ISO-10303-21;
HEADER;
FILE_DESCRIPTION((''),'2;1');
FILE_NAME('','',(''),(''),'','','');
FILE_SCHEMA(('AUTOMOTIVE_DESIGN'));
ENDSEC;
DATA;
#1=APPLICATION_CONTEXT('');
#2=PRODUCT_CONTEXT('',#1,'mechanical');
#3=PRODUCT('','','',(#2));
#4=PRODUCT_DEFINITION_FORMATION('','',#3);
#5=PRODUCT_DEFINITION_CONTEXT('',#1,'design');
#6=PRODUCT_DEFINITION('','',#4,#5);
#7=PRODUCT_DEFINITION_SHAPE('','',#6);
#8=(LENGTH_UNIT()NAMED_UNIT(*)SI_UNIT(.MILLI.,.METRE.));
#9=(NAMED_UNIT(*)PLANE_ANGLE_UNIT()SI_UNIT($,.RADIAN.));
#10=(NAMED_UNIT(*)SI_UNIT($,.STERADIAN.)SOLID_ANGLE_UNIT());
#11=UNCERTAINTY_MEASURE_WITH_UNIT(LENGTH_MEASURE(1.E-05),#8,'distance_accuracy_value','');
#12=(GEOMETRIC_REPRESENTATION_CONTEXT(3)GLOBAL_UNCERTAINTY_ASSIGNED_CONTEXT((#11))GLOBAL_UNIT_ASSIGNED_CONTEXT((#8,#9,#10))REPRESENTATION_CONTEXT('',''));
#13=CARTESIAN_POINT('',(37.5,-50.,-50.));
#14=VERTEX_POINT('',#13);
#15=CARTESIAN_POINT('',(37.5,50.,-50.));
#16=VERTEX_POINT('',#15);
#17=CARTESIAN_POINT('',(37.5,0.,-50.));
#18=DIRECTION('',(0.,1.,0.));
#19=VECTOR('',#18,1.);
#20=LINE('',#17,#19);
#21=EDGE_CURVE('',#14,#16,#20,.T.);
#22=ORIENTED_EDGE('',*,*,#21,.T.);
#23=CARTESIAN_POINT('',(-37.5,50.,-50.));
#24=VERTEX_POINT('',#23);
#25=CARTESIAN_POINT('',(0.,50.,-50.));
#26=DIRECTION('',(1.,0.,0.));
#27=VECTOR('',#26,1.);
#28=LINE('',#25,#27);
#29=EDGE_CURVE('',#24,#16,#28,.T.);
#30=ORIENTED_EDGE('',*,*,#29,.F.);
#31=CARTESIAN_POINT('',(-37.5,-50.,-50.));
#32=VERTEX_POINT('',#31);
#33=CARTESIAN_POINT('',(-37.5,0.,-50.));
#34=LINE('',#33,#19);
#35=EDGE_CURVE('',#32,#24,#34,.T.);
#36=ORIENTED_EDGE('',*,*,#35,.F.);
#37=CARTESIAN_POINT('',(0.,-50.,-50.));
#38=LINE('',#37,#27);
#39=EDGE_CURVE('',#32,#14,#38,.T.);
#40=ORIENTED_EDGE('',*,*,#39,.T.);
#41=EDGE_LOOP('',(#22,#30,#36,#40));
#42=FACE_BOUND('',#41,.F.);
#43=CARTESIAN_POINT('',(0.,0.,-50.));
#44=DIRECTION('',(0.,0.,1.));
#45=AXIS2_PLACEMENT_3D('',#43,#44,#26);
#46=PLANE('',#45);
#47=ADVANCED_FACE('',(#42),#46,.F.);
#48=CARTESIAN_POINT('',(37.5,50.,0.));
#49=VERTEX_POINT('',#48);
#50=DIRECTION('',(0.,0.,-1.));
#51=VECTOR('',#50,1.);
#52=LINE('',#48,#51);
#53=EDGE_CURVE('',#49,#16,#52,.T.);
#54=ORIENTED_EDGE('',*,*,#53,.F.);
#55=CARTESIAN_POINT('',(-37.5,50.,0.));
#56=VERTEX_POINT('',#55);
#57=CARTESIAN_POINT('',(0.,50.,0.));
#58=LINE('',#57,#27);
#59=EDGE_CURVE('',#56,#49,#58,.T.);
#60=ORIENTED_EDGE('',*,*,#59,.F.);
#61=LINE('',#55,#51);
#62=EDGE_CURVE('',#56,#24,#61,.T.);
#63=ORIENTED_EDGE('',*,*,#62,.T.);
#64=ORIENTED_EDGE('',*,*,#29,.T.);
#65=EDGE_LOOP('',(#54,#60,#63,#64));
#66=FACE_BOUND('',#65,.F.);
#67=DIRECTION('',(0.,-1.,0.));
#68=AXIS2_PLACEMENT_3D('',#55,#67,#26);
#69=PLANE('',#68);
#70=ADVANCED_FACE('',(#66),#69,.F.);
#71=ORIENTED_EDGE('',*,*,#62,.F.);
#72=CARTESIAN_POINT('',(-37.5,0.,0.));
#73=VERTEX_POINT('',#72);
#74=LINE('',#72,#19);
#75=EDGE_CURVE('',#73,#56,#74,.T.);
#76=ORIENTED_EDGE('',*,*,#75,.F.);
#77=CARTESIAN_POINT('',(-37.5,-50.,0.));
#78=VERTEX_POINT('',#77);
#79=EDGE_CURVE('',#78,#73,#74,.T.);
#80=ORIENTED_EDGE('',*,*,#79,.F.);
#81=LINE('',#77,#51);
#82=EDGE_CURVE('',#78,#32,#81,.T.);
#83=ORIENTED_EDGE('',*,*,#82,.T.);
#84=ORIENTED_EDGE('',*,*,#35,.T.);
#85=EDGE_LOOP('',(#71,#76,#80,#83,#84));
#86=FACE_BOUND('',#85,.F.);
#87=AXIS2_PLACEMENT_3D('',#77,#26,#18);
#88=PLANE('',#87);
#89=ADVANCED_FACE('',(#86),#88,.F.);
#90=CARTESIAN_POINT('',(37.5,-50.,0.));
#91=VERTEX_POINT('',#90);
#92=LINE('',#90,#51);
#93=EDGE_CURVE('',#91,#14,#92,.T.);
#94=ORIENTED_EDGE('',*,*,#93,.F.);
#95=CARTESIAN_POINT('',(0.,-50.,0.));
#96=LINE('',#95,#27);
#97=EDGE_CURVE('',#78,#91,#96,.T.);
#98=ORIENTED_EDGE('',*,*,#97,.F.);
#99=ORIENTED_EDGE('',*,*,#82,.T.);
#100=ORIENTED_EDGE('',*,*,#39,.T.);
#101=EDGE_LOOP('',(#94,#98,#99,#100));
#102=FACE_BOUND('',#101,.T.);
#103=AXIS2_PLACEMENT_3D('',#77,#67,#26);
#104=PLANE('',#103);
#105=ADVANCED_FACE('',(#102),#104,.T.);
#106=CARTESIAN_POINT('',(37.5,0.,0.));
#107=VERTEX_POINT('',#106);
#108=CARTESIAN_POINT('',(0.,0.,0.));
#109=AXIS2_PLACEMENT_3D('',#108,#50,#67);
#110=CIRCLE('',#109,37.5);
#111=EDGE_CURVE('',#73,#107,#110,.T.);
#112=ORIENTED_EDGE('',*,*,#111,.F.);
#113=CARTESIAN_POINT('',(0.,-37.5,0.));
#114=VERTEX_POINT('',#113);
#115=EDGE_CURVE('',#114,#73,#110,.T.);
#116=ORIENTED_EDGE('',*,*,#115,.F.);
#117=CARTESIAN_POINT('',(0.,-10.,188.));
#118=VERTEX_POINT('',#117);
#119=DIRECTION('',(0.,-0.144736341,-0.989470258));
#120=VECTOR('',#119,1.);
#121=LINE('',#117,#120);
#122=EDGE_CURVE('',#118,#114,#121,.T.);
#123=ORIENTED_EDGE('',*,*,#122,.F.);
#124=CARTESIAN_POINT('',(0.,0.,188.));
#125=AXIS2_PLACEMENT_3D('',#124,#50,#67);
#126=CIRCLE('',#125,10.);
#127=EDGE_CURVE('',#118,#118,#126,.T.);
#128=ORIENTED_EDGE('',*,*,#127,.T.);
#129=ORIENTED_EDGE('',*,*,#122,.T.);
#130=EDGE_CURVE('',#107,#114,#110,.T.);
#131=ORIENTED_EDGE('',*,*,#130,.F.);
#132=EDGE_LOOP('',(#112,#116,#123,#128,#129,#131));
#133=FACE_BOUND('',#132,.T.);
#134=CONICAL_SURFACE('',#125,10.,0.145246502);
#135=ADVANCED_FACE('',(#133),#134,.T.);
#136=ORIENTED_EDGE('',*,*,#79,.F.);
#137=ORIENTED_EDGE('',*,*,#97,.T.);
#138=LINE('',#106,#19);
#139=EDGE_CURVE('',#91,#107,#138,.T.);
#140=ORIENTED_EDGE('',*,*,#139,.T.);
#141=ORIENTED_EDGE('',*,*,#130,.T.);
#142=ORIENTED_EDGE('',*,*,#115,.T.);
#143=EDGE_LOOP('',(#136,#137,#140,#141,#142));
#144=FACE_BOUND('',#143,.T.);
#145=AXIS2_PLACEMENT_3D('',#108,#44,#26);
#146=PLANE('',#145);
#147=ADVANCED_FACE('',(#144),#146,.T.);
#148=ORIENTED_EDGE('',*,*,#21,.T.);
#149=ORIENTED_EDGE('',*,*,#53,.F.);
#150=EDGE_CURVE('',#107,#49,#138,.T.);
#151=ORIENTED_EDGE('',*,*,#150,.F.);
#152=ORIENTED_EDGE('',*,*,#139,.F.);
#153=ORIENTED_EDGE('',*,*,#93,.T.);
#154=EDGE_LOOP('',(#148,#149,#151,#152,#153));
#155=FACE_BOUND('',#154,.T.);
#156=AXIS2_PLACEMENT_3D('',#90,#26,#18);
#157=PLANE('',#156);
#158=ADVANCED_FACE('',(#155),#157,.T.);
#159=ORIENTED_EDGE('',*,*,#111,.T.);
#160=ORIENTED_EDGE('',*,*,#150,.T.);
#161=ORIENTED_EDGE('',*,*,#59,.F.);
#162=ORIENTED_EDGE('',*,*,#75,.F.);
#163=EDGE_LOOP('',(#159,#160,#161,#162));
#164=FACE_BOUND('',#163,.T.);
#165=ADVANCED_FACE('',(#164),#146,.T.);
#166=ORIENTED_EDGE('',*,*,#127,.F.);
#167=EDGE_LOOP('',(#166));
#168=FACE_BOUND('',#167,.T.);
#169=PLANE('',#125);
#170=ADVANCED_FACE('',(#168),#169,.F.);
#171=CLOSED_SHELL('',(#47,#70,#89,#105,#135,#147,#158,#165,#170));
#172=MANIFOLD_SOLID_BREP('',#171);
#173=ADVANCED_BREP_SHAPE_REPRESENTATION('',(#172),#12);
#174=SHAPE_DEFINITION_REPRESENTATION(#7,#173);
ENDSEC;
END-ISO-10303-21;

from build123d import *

# Parameters (mm, degrees)
F0_W     = 75
F0_H     = 100
F1_DEPTH = 50


with BuildPart() as f1:
    # F0 (on Top) → F1 (new body)
    with BuildSketch(Plane.XY):
        Rectangle(F0_W, F0_H)
    extrude(amount=-F1_DEPTH)

    # F2 (on Right) → F3 (revolve)
    with BuildSketch(Plane.YZ):
        Polygon((0, 0), (0, 188), (-10, 188), (-37.5, 0), align=None)
    revolve(axis=Axis((0, 0, 94), (0, 0, -1)))


solid = f1.part
